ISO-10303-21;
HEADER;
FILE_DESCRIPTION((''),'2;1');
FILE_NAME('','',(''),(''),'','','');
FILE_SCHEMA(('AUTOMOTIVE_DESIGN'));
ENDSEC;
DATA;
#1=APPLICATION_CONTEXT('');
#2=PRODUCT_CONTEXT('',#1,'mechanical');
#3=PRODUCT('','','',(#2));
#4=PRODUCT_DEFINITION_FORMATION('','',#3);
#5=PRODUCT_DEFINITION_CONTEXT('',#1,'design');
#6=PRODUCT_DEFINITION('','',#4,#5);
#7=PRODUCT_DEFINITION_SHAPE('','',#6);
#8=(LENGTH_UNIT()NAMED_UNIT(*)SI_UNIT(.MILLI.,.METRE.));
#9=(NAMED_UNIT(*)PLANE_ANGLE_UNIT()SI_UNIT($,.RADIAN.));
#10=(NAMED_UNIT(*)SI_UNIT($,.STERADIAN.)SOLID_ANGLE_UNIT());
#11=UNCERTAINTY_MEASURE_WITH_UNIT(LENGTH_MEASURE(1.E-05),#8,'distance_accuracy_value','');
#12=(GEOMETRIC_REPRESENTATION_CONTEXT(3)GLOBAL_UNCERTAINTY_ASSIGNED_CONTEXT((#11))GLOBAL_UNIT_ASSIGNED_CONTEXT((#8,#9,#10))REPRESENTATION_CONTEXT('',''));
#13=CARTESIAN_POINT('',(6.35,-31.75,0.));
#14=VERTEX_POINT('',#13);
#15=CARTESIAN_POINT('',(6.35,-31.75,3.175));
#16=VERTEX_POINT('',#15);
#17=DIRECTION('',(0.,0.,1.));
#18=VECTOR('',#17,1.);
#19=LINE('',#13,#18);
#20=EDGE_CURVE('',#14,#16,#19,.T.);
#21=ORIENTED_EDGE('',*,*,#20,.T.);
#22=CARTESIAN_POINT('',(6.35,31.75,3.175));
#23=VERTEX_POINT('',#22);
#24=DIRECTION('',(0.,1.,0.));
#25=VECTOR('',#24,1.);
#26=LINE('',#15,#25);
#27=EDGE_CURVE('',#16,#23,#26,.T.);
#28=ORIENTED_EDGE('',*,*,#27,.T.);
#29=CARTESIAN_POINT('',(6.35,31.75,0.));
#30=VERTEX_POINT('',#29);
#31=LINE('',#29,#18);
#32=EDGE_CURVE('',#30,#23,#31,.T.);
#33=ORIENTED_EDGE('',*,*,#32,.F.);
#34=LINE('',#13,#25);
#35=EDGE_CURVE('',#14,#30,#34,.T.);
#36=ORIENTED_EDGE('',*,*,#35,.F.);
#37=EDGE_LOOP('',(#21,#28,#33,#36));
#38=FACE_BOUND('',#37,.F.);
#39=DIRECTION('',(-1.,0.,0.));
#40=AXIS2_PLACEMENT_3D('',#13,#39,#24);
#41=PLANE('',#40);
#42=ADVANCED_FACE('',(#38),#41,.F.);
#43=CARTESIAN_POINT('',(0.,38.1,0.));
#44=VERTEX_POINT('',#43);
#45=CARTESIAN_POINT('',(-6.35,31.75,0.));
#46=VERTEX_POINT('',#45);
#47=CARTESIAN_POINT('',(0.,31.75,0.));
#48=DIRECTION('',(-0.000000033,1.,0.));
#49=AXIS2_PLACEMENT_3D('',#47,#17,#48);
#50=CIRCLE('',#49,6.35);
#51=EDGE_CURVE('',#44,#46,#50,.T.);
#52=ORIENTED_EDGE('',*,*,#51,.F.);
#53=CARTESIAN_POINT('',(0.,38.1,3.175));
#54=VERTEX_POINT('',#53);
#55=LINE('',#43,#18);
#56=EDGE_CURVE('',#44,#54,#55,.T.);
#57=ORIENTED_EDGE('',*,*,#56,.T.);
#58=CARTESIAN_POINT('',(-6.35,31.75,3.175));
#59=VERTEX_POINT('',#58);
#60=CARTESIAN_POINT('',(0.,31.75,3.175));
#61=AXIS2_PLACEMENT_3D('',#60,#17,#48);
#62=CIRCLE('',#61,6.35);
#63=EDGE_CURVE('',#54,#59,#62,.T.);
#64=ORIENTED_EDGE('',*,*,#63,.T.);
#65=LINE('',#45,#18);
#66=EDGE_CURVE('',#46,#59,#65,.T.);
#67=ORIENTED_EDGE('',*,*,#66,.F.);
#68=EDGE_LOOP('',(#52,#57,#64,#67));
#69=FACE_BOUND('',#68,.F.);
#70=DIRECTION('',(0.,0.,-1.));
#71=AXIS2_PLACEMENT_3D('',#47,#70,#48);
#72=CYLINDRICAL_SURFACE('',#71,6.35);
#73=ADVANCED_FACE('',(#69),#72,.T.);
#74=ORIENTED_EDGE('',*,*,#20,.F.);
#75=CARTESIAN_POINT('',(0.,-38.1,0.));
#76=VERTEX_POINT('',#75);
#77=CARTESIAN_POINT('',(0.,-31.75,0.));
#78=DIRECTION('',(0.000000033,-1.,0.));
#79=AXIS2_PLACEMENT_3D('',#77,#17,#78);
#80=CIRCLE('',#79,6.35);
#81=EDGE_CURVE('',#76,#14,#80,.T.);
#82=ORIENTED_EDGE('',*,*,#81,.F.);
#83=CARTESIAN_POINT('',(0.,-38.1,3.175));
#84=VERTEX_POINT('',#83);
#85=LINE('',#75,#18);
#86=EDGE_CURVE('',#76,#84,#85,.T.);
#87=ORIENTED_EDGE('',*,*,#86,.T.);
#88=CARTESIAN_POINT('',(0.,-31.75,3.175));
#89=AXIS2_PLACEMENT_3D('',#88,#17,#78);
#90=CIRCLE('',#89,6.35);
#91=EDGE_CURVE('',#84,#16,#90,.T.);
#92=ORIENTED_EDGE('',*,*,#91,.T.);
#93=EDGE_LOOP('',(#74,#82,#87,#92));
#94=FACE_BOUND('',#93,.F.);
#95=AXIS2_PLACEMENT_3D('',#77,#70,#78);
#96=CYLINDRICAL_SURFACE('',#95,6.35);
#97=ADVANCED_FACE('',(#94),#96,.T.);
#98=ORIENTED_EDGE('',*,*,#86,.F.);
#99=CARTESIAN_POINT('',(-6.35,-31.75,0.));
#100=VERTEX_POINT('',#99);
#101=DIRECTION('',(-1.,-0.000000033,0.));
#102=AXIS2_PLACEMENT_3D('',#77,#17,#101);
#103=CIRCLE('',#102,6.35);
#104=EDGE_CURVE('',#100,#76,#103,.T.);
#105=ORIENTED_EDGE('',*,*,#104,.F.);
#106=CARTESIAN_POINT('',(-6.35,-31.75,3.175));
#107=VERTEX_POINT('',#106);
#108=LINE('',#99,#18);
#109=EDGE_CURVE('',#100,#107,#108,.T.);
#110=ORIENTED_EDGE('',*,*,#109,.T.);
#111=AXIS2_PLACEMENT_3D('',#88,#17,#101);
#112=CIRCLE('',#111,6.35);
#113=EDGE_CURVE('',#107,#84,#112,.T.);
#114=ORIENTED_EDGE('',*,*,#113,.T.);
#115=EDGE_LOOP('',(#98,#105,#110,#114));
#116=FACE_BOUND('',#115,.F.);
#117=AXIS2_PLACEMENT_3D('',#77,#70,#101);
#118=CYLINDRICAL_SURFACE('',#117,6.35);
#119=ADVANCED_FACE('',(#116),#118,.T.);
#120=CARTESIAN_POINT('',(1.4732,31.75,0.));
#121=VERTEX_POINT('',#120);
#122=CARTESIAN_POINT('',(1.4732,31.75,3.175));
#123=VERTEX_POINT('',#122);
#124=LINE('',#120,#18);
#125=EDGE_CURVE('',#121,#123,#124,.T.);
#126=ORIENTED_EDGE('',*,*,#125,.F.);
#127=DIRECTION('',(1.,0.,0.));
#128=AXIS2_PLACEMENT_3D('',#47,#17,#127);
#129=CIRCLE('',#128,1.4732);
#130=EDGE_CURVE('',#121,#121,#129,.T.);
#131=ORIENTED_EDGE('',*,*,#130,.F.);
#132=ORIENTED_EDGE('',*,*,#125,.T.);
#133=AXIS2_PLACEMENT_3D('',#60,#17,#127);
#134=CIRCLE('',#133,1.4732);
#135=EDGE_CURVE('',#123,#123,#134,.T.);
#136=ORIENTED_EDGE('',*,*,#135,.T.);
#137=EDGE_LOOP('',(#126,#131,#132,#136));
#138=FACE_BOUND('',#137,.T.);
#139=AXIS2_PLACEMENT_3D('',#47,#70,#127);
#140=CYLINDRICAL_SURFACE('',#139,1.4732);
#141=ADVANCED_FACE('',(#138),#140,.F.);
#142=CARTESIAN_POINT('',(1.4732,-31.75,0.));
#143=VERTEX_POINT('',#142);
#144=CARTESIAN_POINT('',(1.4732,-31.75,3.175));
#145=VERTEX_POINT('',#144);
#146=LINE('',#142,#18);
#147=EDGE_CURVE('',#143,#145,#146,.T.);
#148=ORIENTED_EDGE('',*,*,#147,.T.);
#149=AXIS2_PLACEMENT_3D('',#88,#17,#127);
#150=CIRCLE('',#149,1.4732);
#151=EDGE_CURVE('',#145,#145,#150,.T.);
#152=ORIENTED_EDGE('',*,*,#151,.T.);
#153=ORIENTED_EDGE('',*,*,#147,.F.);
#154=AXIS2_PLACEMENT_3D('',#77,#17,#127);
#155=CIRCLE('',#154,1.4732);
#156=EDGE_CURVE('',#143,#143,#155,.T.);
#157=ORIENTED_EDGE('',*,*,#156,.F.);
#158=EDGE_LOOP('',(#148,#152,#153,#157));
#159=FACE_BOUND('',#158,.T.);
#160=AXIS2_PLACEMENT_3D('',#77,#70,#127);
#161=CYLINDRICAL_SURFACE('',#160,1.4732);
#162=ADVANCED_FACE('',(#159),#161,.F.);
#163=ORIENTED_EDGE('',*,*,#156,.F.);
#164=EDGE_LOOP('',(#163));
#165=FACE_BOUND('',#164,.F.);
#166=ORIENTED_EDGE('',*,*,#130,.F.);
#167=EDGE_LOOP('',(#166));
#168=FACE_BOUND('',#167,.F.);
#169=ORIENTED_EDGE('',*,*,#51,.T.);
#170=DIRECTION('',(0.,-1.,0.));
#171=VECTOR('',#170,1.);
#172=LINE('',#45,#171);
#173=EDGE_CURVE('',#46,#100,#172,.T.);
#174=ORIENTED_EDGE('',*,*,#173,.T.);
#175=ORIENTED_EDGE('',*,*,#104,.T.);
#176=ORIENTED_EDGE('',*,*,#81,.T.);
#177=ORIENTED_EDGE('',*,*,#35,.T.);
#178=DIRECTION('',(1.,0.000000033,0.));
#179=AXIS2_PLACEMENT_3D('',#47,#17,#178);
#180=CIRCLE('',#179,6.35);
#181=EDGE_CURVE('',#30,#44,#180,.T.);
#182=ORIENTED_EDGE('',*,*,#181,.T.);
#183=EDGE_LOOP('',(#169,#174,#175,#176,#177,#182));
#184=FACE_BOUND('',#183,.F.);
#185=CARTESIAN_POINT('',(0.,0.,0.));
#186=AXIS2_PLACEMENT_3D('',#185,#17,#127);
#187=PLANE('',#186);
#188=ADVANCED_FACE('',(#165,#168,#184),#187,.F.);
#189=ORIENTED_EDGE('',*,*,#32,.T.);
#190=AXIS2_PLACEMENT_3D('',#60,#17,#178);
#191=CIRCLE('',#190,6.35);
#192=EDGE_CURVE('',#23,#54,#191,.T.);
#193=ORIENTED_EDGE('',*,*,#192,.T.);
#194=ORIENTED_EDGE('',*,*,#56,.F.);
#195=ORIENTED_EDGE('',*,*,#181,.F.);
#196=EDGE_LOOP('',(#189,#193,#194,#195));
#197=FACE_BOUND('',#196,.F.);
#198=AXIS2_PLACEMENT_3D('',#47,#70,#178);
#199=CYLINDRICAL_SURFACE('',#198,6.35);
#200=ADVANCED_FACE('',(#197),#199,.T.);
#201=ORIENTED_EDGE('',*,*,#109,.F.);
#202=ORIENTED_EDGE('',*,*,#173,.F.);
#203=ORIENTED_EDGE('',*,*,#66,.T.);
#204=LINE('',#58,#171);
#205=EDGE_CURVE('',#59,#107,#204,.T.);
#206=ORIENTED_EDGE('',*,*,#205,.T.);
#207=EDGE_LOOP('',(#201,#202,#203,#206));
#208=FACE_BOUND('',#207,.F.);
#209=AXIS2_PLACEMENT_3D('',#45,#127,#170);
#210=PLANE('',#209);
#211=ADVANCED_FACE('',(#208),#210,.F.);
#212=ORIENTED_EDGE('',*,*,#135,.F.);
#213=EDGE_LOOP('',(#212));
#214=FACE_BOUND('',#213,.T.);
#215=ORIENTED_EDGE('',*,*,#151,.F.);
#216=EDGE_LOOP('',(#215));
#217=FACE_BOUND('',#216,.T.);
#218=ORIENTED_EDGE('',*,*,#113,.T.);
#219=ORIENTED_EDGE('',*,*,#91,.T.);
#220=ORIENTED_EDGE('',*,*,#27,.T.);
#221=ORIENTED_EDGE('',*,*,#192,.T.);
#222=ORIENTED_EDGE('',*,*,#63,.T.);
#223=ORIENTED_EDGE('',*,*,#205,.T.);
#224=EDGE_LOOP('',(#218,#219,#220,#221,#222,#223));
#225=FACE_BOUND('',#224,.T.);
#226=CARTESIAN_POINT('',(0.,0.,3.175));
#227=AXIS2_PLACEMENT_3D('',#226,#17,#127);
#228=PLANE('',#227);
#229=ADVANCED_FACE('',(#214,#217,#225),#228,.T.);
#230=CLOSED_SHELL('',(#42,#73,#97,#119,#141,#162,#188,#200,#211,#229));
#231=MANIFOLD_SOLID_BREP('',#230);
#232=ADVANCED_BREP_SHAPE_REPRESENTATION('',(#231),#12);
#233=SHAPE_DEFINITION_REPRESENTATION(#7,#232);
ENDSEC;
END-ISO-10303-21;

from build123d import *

# Parameters (mm, degrees)
F0_R     = 1.4732
F1_DEPTH = 3.175


with BuildPart() as f1:
    # F0 (on Top) → F1 (new body)
    with BuildSketch(Plane.XY):
        with BuildLine():
            Line((6.35, -31.75), (6.35, 31.75))
            ThreePointArc((6.35, 31.75), (4.490128, 36.240128), (0, 38.1))
            ThreePointArc((0, 38.1), (-4.490128, 36.240128), (-6.35, 31.75))
            Line((-6.35, 31.75), (-6.35, -31.75))
            ThreePointArc((-6.35, -31.75), (-4.490128, -36.240128), (0, -38.1))
            ThreePointArc((0, -38.1), (4.490128, -36.240128), (6.35, -31.75))
        make_face()
        with Locations((0, -31.75)):
            Circle(F0_R, mode=Mode.SUBTRACT)
        with Locations((0, 31.75)):
            Circle(F0_R, mode=Mode.SUBTRACT)
    extrude(amount=F1_DEPTH)


solid = f1.part
